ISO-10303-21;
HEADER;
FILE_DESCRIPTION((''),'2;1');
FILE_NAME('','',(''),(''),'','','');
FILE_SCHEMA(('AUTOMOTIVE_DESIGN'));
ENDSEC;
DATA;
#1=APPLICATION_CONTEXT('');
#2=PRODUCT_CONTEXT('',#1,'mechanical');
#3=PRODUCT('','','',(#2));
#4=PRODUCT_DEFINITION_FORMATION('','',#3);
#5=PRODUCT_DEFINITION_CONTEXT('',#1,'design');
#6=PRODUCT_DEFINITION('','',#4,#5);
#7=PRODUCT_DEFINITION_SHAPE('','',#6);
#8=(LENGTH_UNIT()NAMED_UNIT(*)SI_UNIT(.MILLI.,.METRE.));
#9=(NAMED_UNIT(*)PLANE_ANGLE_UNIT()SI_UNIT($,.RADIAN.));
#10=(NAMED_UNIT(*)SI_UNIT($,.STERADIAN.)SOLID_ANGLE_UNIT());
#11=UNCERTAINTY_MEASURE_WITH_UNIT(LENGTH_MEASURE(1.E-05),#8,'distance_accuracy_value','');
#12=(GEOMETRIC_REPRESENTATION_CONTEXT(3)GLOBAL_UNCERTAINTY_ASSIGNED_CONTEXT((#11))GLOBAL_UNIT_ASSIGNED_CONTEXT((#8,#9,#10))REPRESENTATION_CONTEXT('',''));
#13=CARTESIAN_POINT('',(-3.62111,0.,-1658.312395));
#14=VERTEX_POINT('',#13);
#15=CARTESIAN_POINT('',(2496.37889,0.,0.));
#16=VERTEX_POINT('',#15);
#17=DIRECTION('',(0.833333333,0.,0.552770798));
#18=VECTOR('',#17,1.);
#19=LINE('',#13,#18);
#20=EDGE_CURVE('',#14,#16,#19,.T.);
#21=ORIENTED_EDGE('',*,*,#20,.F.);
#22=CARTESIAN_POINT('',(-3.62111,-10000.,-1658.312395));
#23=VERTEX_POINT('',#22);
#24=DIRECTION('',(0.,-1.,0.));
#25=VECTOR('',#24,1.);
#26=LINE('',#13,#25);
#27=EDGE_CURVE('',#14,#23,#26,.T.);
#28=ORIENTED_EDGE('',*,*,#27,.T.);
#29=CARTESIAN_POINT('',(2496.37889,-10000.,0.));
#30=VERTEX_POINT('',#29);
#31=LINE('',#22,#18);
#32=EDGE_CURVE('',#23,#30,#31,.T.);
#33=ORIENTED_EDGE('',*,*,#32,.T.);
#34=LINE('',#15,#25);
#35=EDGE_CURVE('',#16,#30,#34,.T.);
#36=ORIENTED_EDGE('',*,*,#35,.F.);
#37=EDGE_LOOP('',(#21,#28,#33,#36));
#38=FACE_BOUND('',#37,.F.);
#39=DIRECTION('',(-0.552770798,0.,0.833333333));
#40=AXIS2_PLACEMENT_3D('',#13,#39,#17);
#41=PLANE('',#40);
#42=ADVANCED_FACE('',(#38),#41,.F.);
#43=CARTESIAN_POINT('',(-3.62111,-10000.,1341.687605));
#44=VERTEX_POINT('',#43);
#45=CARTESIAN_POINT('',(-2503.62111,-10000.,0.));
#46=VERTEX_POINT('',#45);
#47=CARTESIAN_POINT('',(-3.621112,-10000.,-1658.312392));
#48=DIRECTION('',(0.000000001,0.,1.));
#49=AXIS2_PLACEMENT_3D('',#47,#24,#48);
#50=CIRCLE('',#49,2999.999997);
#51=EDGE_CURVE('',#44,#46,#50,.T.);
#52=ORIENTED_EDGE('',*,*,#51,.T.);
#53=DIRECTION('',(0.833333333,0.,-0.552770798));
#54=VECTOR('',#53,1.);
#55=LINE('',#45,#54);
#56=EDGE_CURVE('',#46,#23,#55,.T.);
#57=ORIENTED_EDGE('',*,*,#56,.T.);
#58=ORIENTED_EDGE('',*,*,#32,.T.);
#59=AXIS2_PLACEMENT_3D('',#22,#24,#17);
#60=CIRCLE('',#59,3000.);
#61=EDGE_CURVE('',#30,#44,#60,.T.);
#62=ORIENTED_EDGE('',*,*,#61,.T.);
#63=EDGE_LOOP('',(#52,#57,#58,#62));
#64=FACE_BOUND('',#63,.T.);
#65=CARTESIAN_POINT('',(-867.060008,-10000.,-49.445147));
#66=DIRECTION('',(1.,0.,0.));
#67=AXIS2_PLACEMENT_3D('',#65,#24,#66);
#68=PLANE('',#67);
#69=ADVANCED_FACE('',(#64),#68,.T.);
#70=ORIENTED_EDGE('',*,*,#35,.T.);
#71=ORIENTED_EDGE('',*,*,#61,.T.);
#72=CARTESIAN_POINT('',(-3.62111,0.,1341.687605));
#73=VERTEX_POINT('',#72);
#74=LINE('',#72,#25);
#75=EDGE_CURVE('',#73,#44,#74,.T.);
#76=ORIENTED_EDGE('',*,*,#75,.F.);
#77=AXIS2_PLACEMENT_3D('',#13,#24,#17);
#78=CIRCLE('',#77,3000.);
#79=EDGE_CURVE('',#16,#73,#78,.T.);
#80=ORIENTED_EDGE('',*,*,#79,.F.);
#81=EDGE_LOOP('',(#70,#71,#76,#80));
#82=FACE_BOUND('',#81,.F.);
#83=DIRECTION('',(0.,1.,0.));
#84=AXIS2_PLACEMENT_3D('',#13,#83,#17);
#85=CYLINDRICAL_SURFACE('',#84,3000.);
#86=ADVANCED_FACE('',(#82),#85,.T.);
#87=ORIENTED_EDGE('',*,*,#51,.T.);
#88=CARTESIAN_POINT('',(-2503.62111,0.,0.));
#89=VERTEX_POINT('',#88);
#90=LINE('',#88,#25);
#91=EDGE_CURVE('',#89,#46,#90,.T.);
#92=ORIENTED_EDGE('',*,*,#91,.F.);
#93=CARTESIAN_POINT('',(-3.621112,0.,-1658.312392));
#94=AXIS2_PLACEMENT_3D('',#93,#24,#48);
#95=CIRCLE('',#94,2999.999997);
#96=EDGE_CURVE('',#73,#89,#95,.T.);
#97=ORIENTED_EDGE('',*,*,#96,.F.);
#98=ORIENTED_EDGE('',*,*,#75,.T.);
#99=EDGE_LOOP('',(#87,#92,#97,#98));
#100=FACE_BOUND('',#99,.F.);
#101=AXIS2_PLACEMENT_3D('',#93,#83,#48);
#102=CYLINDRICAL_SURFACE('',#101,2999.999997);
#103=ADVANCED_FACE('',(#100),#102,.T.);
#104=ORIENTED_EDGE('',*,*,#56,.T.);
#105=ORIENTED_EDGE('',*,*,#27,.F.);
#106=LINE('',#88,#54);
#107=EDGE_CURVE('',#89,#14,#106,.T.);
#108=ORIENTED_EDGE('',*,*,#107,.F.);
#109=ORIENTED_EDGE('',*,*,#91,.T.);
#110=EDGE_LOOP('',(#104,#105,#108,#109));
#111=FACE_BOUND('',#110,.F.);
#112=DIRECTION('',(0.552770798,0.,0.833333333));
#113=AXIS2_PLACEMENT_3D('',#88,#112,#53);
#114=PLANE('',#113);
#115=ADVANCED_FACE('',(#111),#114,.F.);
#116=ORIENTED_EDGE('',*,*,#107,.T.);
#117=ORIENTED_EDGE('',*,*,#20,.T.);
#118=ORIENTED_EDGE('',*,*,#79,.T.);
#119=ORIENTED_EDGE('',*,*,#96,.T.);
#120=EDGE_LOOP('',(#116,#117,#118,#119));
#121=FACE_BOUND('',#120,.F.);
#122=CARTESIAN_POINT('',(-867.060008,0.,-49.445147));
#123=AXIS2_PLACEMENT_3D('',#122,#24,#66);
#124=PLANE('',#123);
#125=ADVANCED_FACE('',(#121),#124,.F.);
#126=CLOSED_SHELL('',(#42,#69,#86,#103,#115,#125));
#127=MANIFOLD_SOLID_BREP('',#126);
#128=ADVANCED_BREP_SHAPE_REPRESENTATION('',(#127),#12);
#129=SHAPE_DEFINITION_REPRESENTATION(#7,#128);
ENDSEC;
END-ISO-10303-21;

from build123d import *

# Parameters (mm, degrees)
F1_DEPTH = 10000


with BuildPart() as f1:
    # F0 (on Front) → F1 (new body)
    with BuildSketch(Plane.XZ):
        with BuildLine():
            Line((-3.62111, -1658.312395), (-3.62111, 1341.687605))
            ThreePointArc((-3.62111, 1341.687605), (-1422.258276, 985.069642), (-2503.62111, 0))
            Line((-2503.62111, 0), (-3.62111, -1658.312395))
        make_face()
        with BuildLine():
            Line((-3.62111, -1658.312395), (2496.37889, 0))
            ThreePointArc((2496.37889, 0), (1415.016055, 985.069642), (-3.62111, 1341.687605))
            Line((-3.62111, 1341.687605), (-3.62111, -1658.312395))
        make_face()
    extrude(amount=F1_DEPTH)


solid = f1.part
